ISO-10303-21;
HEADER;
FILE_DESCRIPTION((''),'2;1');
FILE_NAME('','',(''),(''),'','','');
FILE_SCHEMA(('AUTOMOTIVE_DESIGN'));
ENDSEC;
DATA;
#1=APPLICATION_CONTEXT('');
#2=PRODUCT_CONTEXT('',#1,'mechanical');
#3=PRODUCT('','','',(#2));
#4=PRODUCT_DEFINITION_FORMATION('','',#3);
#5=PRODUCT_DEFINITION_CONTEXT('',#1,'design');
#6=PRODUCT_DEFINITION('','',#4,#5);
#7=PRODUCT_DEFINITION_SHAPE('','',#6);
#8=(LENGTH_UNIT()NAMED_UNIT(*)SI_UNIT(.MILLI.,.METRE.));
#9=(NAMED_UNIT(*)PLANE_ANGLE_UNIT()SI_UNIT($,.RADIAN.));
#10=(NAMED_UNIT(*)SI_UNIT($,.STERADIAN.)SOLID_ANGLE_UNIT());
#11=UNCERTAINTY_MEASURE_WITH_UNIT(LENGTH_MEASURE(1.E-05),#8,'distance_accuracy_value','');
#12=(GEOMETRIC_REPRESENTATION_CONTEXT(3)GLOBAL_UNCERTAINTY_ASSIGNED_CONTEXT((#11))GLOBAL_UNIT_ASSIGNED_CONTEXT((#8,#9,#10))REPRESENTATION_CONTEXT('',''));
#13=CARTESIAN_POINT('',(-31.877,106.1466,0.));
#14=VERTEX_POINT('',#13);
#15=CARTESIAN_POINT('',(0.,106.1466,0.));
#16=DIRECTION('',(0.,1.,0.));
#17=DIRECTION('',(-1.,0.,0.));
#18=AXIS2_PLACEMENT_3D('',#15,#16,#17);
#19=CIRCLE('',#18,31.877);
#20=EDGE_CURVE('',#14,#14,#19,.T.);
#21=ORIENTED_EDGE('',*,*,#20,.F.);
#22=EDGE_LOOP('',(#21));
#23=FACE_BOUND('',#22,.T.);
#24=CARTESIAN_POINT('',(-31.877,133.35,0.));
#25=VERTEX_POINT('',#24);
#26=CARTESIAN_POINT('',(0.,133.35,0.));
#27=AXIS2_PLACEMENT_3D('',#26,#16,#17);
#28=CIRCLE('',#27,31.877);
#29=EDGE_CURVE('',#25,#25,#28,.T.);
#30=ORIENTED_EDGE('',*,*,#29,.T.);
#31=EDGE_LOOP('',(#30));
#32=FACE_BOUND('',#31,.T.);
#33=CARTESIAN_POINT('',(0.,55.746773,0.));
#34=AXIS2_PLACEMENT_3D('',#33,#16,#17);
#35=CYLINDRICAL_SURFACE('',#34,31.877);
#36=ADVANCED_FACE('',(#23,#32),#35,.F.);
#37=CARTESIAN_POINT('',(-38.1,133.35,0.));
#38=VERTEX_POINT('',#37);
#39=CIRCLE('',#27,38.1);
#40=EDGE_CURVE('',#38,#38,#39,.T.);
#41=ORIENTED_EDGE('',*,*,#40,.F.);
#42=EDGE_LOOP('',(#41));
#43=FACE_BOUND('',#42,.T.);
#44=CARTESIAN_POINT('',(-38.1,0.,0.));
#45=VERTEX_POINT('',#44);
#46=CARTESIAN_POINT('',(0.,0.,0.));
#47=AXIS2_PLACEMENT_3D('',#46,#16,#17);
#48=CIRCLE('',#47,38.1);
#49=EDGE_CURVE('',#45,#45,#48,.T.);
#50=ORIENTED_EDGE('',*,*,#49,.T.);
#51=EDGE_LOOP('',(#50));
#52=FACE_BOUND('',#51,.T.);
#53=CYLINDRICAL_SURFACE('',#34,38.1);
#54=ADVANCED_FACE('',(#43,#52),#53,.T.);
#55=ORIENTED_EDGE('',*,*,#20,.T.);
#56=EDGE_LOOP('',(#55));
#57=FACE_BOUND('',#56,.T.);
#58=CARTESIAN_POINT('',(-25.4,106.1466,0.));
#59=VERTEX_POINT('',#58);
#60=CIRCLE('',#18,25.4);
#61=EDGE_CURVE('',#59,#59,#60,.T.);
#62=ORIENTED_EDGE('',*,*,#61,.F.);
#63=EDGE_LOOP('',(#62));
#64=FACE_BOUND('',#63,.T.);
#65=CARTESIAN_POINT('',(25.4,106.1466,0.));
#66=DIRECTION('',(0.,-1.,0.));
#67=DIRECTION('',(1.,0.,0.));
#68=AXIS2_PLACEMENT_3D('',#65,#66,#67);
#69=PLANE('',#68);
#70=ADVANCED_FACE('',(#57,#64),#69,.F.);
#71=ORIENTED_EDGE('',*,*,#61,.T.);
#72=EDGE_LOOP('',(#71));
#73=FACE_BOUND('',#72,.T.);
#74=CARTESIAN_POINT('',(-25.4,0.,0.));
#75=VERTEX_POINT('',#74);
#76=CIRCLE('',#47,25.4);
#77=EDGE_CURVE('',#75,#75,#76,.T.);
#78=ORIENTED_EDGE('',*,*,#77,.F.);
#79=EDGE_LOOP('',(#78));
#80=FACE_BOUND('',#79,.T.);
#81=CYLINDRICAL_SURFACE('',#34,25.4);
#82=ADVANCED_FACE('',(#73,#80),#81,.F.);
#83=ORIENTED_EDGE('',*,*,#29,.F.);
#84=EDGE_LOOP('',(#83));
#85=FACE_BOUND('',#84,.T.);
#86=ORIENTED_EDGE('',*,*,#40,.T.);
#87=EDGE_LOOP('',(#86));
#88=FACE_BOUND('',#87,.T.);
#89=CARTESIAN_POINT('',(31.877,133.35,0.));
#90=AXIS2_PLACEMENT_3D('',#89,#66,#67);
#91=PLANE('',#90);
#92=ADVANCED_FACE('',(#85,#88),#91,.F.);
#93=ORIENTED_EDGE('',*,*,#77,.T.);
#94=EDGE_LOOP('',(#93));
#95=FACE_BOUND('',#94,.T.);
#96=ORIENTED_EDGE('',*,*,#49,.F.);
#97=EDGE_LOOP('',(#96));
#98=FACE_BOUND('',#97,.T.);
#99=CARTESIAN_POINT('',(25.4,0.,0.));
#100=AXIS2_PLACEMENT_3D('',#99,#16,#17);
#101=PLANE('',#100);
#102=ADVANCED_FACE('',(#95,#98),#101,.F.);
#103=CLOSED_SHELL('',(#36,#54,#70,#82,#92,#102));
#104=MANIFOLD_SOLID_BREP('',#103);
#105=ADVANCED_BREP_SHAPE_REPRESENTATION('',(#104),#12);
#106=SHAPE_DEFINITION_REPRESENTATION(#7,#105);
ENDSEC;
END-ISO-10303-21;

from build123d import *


with BuildPart() as part:
    # Sketch1 → Revolve1 (revolve)
    with BuildSketch(Plane.XY, mode=Mode.PRIVATE) as revolve1_sk:
        Polygon((25.4, 0), (38.1, 0), (38.1, 133.35), (31.877, 133.35), (31.877, 106.1466), (25.4, 106.1466), align=None)
    revolve(revolve1_sk.sketch.rotate(Axis((0, 55.746772516, 0), (0, -1, 0)), 180), axis=Axis((0, 55.746772516, 0), (0, -1, 0)))


solid = part.part
